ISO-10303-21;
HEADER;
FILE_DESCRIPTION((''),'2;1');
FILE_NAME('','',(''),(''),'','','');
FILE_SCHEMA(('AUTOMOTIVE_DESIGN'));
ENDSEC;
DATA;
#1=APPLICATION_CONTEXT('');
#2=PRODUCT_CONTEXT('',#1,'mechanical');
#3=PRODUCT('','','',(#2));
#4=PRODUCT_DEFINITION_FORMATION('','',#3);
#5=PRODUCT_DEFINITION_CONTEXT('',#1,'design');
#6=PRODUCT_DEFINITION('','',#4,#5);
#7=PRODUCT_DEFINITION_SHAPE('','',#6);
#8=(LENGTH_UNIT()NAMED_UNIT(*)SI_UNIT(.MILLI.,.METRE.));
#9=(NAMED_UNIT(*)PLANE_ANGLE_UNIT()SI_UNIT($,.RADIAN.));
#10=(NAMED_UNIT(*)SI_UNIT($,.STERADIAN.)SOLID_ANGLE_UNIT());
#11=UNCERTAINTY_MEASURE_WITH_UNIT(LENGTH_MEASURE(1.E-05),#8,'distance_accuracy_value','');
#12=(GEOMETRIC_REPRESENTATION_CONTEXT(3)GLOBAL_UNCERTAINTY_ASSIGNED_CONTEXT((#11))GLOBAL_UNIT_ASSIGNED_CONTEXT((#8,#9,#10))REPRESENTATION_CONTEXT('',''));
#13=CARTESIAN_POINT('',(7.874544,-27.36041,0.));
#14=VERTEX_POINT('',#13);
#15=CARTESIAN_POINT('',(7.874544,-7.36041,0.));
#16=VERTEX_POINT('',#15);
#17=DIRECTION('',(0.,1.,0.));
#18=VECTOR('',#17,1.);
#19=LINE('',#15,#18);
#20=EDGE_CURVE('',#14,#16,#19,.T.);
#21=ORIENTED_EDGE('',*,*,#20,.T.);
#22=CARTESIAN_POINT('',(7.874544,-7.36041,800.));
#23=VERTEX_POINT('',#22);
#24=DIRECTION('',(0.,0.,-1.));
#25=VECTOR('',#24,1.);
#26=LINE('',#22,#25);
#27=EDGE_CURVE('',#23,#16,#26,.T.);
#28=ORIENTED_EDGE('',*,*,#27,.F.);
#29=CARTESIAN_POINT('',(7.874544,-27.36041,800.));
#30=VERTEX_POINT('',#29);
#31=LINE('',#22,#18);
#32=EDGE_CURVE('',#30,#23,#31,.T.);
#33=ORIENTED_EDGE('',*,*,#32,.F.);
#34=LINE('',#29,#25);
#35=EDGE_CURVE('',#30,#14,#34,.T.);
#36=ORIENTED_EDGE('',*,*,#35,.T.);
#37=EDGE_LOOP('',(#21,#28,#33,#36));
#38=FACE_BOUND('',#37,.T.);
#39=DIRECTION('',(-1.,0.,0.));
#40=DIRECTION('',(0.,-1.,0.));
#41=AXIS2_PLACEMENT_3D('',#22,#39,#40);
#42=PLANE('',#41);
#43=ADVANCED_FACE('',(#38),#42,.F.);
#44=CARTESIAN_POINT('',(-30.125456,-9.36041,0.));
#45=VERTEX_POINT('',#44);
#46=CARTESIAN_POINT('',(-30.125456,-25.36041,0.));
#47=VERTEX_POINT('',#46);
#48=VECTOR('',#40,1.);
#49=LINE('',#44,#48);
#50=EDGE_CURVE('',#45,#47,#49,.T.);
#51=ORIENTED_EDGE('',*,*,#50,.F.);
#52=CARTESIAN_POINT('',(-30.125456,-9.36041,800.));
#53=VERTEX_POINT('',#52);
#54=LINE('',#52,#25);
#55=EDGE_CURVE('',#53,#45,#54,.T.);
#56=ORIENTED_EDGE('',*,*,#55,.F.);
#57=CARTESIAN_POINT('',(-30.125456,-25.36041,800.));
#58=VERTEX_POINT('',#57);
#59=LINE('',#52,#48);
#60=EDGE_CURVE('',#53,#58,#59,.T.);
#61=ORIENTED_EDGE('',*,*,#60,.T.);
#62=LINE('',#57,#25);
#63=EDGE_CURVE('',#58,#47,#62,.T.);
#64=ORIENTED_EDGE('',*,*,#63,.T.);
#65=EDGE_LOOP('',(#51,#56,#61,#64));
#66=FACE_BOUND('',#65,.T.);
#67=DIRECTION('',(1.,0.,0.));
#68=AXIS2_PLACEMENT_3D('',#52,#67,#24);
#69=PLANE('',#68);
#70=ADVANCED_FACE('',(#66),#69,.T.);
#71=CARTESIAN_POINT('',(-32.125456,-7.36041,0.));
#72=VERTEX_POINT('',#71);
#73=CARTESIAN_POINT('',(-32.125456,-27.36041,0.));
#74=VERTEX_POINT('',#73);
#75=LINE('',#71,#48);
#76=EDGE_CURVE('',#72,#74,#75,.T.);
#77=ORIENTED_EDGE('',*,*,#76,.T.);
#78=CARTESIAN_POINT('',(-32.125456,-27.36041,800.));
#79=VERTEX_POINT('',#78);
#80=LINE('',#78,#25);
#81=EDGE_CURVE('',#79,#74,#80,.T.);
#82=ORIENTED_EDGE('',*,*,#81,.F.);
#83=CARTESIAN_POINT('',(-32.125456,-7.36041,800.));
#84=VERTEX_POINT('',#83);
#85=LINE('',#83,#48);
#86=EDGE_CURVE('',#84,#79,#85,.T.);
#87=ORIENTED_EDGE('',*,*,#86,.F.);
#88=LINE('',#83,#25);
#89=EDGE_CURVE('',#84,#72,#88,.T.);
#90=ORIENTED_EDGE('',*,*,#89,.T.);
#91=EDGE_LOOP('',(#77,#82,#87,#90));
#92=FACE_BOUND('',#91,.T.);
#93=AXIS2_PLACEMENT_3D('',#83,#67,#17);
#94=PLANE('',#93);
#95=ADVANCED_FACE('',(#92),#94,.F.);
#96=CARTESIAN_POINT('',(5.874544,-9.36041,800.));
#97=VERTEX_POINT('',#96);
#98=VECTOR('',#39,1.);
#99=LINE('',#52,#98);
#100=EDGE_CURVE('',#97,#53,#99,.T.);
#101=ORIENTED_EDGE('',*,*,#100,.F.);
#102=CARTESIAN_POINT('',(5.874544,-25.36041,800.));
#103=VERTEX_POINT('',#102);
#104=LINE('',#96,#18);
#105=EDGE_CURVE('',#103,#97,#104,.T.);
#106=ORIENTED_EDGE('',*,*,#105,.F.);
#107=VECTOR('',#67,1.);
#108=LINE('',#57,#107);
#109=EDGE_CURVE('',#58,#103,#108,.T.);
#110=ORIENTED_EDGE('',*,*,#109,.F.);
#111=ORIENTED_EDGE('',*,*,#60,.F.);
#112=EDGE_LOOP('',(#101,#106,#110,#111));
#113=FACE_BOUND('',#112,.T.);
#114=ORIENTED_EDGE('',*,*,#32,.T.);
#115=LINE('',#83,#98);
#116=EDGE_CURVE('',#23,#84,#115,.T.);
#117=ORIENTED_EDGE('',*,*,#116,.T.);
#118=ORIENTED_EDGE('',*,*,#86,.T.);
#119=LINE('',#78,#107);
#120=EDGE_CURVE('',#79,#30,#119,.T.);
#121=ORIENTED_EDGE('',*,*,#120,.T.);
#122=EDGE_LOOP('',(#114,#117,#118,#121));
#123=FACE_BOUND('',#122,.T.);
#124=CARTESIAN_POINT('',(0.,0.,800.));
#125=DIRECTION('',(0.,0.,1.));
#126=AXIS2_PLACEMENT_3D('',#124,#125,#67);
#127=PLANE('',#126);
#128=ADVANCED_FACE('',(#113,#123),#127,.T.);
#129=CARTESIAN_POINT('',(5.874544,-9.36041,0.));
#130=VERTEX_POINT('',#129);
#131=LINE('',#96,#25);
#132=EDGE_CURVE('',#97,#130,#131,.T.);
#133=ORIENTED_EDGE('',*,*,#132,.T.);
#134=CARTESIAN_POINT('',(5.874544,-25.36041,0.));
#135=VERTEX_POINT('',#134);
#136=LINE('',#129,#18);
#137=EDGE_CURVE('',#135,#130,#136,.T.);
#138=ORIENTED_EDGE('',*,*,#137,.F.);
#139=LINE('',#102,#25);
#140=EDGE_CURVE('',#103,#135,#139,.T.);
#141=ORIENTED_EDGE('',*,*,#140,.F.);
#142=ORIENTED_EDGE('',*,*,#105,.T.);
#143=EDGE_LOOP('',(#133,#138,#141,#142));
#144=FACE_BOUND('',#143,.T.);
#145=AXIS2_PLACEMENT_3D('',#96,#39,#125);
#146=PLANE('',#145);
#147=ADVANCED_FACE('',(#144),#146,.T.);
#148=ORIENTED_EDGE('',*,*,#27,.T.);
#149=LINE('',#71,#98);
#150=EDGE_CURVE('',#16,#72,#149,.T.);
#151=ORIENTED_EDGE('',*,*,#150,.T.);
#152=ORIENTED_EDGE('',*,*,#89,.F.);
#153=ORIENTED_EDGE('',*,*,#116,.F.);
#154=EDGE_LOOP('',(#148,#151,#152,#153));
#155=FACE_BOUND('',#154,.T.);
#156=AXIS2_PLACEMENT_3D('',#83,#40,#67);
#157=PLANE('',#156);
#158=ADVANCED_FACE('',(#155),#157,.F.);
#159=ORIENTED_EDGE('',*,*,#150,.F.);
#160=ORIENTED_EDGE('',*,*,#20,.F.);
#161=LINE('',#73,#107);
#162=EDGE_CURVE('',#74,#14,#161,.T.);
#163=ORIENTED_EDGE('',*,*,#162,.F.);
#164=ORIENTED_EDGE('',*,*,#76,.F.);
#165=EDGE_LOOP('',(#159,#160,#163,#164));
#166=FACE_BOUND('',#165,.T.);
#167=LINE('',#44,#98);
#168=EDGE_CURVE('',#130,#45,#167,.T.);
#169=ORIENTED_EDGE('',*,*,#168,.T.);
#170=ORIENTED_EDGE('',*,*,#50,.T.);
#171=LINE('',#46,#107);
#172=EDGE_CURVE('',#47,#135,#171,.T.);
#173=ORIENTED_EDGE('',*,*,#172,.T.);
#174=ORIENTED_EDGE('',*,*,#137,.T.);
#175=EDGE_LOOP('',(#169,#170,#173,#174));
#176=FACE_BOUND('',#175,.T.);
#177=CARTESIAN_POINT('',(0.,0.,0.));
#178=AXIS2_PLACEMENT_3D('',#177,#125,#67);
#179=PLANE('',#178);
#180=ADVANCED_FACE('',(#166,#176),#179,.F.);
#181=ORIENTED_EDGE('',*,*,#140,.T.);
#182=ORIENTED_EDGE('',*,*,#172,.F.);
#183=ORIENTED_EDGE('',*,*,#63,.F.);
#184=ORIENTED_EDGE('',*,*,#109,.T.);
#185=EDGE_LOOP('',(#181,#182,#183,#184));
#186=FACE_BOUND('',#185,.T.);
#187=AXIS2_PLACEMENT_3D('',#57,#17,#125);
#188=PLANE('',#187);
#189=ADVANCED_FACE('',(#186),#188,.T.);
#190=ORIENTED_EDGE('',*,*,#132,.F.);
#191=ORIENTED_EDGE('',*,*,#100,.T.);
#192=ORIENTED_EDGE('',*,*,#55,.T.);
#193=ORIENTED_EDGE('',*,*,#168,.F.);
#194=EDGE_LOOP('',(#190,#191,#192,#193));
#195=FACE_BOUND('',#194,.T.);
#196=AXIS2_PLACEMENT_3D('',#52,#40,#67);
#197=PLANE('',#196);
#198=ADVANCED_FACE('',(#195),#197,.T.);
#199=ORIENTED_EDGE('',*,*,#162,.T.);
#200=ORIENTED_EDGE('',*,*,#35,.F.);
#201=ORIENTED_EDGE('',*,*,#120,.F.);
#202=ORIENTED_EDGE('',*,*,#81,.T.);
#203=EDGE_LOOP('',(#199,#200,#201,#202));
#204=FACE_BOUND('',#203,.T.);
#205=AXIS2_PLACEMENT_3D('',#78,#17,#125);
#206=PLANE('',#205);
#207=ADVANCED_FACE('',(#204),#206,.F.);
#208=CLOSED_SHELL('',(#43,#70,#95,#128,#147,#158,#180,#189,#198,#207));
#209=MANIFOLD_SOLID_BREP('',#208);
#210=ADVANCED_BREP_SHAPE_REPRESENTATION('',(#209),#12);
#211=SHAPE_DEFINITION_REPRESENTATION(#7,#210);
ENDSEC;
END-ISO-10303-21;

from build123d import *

# Parameters (mm, degrees)
SKETCH_1_W      = 40
SKETCH_1_H      = 20
SKETCH_1_W_2    = 36
SKETCH_1_H_2    = 16
EXTRUDE_1_DEPTH = 800


with BuildPart() as part:
    # Эскиз1 → Бобышка-Вытянуть1 (new body)
    with BuildSketch(Plane.XY):
        with Locations((-12.125455715, -17.360409745)):
            Rectangle(SKETCH_1_W, SKETCH_1_H)
        with Locations((-12.125455715, -17.360409745)):
            Rectangle(SKETCH_1_W_2, SKETCH_1_H_2, mode=Mode.SUBTRACT)
    extrude(amount=EXTRUDE_1_DEPTH)


solid = part.part
